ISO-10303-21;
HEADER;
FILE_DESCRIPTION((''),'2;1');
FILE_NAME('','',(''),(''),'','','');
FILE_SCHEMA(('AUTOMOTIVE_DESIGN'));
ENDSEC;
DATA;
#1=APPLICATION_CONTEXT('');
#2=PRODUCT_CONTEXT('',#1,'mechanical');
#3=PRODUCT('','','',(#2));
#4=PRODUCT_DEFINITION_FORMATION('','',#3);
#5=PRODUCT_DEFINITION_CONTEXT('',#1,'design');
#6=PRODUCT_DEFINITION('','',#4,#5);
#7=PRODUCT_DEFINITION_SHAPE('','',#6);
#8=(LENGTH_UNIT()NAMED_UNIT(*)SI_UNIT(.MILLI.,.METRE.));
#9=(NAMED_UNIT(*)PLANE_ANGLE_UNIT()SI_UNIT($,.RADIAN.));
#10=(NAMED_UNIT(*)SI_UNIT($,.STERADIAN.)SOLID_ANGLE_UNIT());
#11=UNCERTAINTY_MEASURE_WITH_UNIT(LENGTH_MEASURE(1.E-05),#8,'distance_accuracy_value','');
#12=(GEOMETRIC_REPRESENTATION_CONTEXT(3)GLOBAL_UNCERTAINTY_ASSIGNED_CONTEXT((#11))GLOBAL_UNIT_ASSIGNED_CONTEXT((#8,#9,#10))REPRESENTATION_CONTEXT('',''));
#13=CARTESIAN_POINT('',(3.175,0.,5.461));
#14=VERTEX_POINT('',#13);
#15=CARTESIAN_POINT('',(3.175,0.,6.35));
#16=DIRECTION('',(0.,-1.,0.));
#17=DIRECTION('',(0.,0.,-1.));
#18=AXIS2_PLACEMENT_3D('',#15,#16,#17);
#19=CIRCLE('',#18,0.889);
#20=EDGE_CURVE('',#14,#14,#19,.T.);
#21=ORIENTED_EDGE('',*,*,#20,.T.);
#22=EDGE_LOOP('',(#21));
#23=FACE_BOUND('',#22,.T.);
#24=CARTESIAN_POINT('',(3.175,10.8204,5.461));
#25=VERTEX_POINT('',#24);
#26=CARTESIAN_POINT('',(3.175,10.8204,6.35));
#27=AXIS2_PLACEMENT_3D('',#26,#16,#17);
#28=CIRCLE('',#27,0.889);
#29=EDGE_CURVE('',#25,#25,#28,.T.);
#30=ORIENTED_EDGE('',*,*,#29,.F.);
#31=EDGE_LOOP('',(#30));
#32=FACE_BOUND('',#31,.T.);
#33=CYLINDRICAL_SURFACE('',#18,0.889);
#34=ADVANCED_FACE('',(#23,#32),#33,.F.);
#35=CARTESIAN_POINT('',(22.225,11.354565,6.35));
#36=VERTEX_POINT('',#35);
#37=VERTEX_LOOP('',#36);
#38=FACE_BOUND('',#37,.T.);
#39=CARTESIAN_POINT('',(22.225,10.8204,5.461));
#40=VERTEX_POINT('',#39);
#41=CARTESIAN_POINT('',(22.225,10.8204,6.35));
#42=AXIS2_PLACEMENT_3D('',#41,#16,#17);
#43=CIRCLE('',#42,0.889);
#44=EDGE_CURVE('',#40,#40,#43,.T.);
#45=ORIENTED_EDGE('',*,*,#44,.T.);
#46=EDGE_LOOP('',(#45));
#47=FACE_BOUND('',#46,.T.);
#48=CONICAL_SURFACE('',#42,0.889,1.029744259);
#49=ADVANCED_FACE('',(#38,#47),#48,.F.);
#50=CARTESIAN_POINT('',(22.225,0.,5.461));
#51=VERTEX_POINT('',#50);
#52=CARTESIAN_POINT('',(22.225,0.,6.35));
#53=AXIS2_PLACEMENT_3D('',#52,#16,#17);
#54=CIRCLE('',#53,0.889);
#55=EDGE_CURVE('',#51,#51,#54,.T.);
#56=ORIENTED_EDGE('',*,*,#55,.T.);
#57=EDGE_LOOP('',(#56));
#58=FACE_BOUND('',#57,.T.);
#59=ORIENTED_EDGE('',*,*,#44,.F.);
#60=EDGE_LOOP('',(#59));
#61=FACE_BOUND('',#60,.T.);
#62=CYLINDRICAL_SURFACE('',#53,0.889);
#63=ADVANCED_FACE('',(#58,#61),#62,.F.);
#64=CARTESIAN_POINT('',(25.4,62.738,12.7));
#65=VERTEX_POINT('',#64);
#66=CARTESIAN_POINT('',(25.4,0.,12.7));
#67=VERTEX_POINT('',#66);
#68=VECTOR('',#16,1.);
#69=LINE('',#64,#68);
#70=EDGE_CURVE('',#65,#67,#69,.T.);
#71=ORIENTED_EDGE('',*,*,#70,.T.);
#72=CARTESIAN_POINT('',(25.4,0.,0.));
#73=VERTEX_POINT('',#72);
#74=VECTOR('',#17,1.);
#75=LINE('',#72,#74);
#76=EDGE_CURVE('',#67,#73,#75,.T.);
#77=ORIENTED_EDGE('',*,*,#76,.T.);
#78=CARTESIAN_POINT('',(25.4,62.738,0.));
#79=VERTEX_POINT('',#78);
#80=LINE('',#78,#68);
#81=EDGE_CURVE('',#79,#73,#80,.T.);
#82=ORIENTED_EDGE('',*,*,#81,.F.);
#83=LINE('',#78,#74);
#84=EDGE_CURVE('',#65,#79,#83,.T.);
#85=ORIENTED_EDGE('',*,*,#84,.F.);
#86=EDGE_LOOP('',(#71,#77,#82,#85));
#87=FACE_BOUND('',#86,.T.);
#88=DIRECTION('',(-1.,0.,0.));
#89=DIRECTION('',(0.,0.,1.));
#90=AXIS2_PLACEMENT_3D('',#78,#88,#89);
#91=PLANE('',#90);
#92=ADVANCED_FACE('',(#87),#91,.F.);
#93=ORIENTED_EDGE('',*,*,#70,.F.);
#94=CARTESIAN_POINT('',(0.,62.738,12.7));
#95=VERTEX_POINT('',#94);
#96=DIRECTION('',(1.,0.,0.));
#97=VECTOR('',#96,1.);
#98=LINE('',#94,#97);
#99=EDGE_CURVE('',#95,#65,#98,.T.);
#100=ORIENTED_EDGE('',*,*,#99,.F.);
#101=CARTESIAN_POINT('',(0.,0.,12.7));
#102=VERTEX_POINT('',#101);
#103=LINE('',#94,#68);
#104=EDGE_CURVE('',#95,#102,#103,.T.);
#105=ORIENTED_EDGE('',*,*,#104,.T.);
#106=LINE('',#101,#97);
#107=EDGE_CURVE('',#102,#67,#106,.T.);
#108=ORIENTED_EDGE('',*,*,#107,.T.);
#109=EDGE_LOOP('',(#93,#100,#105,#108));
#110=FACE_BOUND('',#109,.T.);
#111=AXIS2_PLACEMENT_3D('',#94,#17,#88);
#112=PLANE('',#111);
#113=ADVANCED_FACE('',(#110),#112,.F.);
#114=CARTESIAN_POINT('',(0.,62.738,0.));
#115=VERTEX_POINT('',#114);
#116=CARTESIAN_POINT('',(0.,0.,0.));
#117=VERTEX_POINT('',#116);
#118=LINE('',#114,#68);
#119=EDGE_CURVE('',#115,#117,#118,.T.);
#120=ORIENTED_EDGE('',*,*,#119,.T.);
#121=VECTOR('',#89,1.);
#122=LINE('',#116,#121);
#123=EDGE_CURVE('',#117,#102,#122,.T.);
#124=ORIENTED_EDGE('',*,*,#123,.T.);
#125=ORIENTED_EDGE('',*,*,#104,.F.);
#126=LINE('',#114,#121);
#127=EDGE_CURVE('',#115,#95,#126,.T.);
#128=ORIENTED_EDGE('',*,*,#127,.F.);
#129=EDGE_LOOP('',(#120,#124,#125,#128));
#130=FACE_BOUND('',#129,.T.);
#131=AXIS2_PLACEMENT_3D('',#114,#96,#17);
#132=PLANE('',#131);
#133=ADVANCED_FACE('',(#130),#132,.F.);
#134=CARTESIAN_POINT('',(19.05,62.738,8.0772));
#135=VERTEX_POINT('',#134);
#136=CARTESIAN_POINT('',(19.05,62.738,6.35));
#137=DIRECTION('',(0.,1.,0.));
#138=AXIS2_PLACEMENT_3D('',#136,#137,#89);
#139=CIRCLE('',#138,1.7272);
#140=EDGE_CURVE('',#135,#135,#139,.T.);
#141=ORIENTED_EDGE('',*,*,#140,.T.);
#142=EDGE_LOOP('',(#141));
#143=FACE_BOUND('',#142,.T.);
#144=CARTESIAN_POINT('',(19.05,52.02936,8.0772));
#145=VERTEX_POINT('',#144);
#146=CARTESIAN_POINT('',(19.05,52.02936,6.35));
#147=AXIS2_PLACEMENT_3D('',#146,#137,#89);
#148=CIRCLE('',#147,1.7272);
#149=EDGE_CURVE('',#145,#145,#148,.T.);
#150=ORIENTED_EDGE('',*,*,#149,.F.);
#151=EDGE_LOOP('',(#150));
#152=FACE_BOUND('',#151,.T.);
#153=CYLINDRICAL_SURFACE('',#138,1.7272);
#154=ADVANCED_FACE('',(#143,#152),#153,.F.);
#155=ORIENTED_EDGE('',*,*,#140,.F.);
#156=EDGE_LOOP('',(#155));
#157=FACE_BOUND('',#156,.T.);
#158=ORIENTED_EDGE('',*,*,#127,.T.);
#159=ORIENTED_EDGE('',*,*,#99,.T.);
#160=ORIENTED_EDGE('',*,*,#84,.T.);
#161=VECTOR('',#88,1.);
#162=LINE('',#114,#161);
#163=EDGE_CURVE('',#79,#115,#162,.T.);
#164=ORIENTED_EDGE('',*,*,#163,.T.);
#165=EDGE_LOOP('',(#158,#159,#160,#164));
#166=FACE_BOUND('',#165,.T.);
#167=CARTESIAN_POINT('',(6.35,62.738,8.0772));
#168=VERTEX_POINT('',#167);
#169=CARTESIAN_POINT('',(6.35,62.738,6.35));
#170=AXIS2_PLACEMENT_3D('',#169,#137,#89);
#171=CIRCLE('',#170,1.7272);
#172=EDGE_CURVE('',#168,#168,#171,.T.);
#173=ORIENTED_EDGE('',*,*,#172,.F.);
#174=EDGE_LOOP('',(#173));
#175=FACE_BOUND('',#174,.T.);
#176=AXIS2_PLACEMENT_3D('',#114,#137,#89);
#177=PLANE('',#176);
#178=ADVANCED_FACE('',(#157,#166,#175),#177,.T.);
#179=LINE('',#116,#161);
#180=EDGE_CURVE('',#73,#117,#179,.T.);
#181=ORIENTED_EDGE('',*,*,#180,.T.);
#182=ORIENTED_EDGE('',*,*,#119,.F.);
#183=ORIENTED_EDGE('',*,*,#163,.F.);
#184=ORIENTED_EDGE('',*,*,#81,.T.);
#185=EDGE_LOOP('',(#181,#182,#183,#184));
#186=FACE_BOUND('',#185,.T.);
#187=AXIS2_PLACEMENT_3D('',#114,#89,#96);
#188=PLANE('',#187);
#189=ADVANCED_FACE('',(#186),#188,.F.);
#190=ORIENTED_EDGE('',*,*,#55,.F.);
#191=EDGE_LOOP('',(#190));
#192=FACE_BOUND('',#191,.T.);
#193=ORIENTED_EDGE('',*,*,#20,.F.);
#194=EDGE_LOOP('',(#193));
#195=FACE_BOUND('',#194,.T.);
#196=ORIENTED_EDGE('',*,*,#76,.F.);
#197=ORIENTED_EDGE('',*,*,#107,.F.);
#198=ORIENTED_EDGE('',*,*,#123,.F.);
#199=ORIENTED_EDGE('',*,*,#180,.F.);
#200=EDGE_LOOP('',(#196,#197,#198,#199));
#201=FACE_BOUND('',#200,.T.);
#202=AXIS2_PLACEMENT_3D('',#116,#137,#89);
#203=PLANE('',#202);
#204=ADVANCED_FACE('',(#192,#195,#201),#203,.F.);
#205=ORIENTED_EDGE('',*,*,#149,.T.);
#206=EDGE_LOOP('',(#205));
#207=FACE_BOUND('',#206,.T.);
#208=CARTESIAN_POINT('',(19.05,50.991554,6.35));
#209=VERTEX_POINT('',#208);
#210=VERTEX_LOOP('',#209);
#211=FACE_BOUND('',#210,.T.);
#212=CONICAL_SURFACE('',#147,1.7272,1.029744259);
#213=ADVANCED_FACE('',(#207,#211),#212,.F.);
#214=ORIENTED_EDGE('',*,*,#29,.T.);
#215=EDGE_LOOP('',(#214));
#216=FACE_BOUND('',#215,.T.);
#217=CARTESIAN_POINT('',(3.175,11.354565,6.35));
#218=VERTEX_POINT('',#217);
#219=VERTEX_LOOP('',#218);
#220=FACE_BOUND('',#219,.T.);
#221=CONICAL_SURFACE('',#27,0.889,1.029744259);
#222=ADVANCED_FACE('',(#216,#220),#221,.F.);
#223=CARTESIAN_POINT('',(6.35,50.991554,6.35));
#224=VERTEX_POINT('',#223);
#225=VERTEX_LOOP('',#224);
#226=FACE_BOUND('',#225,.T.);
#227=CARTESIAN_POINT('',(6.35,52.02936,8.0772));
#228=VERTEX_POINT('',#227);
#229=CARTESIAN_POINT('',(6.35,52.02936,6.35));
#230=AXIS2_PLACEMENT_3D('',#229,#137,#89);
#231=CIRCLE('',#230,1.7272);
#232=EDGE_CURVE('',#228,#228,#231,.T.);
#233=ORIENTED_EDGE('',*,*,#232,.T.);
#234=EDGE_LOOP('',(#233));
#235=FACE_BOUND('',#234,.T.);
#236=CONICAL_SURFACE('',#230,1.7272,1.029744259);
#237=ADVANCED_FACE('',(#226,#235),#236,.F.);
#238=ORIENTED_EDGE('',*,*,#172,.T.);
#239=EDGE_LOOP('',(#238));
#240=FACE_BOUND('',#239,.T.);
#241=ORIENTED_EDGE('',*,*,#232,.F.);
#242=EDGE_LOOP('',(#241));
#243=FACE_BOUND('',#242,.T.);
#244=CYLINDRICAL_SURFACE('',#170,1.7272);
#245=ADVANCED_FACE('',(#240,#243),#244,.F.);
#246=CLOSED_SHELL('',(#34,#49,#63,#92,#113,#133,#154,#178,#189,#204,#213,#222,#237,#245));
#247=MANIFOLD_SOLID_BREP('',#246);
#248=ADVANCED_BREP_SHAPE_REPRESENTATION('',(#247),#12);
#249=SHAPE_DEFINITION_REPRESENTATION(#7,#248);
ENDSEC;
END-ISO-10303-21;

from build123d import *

# Parameters (mm, degrees)
SKETCH1_W                 = 25.4
SKETCH1_H                 = 12.7
BOSS_EXTRUDE1_DEPTH       = 62.738
F_2_56_TAPPED_HOLE1_D     = 1.778
F_2_56_TAPPED_HOLE1_DEPTH = 10.8204
F_2_56_TAPPED_HOLE1_TIP   = 0.53416509
F_8_32_TAPPED_HOLE1_D     = 3.4544
F_8_32_TAPPED_HOLE1_DEPTH = 10.70864
F_8_32_TAPPED_HOLE1_TIP   = 1.037806461


with BuildPart() as part:
    # Sketch1 → Boss-Extrude1 (new body)
    with BuildSketch(Plane(origin=(0, 0, 0), x_dir=(1, 0, 0), z_dir=(0, 1, 0))):
        with Locations((12.7, -6.35)):
            Rectangle(SKETCH1_W, SKETCH1_H)
    extrude(amount=BOSS_EXTRUDE1_DEPTH)

    # #2-56 Tapped Hole1
    with Locations(Plane(origin=(0, 0, 0), x_dir=(-1, 0, 0), z_dir=(0, -1, 0))):
        with Locations((-3.175, -6.35), (-22.225, -6.35)):
            Hole(F_2_56_TAPPED_HOLE1_D / 2, depth=F_2_56_TAPPED_HOLE1_DEPTH)
            with Locations((0, 0, -(F_2_56_TAPPED_HOLE1_DEPTH + F_2_56_TAPPED_HOLE1_TIP / 2))):  # 118° drill point
                Cone(0, F_2_56_TAPPED_HOLE1_D / 2, F_2_56_TAPPED_HOLE1_TIP, mode=Mode.SUBTRACT)

    # #8-32 Tapped Hole1
    with Locations(Plane(origin=(0, 62.738, 0), x_dir=(1, 0, 0), z_dir=(0, 1, 0))):
        with Locations((6.35, -6.35), (19.05, -6.35)):
            Hole(F_8_32_TAPPED_HOLE1_D / 2, depth=F_8_32_TAPPED_HOLE1_DEPTH)
            with Locations((0, 0, -(F_8_32_TAPPED_HOLE1_DEPTH + F_8_32_TAPPED_HOLE1_TIP / 2))):  # 118° drill point
                Cone(0, F_8_32_TAPPED_HOLE1_D / 2, F_8_32_TAPPED_HOLE1_TIP, mode=Mode.SUBTRACT)


solid = part.part
